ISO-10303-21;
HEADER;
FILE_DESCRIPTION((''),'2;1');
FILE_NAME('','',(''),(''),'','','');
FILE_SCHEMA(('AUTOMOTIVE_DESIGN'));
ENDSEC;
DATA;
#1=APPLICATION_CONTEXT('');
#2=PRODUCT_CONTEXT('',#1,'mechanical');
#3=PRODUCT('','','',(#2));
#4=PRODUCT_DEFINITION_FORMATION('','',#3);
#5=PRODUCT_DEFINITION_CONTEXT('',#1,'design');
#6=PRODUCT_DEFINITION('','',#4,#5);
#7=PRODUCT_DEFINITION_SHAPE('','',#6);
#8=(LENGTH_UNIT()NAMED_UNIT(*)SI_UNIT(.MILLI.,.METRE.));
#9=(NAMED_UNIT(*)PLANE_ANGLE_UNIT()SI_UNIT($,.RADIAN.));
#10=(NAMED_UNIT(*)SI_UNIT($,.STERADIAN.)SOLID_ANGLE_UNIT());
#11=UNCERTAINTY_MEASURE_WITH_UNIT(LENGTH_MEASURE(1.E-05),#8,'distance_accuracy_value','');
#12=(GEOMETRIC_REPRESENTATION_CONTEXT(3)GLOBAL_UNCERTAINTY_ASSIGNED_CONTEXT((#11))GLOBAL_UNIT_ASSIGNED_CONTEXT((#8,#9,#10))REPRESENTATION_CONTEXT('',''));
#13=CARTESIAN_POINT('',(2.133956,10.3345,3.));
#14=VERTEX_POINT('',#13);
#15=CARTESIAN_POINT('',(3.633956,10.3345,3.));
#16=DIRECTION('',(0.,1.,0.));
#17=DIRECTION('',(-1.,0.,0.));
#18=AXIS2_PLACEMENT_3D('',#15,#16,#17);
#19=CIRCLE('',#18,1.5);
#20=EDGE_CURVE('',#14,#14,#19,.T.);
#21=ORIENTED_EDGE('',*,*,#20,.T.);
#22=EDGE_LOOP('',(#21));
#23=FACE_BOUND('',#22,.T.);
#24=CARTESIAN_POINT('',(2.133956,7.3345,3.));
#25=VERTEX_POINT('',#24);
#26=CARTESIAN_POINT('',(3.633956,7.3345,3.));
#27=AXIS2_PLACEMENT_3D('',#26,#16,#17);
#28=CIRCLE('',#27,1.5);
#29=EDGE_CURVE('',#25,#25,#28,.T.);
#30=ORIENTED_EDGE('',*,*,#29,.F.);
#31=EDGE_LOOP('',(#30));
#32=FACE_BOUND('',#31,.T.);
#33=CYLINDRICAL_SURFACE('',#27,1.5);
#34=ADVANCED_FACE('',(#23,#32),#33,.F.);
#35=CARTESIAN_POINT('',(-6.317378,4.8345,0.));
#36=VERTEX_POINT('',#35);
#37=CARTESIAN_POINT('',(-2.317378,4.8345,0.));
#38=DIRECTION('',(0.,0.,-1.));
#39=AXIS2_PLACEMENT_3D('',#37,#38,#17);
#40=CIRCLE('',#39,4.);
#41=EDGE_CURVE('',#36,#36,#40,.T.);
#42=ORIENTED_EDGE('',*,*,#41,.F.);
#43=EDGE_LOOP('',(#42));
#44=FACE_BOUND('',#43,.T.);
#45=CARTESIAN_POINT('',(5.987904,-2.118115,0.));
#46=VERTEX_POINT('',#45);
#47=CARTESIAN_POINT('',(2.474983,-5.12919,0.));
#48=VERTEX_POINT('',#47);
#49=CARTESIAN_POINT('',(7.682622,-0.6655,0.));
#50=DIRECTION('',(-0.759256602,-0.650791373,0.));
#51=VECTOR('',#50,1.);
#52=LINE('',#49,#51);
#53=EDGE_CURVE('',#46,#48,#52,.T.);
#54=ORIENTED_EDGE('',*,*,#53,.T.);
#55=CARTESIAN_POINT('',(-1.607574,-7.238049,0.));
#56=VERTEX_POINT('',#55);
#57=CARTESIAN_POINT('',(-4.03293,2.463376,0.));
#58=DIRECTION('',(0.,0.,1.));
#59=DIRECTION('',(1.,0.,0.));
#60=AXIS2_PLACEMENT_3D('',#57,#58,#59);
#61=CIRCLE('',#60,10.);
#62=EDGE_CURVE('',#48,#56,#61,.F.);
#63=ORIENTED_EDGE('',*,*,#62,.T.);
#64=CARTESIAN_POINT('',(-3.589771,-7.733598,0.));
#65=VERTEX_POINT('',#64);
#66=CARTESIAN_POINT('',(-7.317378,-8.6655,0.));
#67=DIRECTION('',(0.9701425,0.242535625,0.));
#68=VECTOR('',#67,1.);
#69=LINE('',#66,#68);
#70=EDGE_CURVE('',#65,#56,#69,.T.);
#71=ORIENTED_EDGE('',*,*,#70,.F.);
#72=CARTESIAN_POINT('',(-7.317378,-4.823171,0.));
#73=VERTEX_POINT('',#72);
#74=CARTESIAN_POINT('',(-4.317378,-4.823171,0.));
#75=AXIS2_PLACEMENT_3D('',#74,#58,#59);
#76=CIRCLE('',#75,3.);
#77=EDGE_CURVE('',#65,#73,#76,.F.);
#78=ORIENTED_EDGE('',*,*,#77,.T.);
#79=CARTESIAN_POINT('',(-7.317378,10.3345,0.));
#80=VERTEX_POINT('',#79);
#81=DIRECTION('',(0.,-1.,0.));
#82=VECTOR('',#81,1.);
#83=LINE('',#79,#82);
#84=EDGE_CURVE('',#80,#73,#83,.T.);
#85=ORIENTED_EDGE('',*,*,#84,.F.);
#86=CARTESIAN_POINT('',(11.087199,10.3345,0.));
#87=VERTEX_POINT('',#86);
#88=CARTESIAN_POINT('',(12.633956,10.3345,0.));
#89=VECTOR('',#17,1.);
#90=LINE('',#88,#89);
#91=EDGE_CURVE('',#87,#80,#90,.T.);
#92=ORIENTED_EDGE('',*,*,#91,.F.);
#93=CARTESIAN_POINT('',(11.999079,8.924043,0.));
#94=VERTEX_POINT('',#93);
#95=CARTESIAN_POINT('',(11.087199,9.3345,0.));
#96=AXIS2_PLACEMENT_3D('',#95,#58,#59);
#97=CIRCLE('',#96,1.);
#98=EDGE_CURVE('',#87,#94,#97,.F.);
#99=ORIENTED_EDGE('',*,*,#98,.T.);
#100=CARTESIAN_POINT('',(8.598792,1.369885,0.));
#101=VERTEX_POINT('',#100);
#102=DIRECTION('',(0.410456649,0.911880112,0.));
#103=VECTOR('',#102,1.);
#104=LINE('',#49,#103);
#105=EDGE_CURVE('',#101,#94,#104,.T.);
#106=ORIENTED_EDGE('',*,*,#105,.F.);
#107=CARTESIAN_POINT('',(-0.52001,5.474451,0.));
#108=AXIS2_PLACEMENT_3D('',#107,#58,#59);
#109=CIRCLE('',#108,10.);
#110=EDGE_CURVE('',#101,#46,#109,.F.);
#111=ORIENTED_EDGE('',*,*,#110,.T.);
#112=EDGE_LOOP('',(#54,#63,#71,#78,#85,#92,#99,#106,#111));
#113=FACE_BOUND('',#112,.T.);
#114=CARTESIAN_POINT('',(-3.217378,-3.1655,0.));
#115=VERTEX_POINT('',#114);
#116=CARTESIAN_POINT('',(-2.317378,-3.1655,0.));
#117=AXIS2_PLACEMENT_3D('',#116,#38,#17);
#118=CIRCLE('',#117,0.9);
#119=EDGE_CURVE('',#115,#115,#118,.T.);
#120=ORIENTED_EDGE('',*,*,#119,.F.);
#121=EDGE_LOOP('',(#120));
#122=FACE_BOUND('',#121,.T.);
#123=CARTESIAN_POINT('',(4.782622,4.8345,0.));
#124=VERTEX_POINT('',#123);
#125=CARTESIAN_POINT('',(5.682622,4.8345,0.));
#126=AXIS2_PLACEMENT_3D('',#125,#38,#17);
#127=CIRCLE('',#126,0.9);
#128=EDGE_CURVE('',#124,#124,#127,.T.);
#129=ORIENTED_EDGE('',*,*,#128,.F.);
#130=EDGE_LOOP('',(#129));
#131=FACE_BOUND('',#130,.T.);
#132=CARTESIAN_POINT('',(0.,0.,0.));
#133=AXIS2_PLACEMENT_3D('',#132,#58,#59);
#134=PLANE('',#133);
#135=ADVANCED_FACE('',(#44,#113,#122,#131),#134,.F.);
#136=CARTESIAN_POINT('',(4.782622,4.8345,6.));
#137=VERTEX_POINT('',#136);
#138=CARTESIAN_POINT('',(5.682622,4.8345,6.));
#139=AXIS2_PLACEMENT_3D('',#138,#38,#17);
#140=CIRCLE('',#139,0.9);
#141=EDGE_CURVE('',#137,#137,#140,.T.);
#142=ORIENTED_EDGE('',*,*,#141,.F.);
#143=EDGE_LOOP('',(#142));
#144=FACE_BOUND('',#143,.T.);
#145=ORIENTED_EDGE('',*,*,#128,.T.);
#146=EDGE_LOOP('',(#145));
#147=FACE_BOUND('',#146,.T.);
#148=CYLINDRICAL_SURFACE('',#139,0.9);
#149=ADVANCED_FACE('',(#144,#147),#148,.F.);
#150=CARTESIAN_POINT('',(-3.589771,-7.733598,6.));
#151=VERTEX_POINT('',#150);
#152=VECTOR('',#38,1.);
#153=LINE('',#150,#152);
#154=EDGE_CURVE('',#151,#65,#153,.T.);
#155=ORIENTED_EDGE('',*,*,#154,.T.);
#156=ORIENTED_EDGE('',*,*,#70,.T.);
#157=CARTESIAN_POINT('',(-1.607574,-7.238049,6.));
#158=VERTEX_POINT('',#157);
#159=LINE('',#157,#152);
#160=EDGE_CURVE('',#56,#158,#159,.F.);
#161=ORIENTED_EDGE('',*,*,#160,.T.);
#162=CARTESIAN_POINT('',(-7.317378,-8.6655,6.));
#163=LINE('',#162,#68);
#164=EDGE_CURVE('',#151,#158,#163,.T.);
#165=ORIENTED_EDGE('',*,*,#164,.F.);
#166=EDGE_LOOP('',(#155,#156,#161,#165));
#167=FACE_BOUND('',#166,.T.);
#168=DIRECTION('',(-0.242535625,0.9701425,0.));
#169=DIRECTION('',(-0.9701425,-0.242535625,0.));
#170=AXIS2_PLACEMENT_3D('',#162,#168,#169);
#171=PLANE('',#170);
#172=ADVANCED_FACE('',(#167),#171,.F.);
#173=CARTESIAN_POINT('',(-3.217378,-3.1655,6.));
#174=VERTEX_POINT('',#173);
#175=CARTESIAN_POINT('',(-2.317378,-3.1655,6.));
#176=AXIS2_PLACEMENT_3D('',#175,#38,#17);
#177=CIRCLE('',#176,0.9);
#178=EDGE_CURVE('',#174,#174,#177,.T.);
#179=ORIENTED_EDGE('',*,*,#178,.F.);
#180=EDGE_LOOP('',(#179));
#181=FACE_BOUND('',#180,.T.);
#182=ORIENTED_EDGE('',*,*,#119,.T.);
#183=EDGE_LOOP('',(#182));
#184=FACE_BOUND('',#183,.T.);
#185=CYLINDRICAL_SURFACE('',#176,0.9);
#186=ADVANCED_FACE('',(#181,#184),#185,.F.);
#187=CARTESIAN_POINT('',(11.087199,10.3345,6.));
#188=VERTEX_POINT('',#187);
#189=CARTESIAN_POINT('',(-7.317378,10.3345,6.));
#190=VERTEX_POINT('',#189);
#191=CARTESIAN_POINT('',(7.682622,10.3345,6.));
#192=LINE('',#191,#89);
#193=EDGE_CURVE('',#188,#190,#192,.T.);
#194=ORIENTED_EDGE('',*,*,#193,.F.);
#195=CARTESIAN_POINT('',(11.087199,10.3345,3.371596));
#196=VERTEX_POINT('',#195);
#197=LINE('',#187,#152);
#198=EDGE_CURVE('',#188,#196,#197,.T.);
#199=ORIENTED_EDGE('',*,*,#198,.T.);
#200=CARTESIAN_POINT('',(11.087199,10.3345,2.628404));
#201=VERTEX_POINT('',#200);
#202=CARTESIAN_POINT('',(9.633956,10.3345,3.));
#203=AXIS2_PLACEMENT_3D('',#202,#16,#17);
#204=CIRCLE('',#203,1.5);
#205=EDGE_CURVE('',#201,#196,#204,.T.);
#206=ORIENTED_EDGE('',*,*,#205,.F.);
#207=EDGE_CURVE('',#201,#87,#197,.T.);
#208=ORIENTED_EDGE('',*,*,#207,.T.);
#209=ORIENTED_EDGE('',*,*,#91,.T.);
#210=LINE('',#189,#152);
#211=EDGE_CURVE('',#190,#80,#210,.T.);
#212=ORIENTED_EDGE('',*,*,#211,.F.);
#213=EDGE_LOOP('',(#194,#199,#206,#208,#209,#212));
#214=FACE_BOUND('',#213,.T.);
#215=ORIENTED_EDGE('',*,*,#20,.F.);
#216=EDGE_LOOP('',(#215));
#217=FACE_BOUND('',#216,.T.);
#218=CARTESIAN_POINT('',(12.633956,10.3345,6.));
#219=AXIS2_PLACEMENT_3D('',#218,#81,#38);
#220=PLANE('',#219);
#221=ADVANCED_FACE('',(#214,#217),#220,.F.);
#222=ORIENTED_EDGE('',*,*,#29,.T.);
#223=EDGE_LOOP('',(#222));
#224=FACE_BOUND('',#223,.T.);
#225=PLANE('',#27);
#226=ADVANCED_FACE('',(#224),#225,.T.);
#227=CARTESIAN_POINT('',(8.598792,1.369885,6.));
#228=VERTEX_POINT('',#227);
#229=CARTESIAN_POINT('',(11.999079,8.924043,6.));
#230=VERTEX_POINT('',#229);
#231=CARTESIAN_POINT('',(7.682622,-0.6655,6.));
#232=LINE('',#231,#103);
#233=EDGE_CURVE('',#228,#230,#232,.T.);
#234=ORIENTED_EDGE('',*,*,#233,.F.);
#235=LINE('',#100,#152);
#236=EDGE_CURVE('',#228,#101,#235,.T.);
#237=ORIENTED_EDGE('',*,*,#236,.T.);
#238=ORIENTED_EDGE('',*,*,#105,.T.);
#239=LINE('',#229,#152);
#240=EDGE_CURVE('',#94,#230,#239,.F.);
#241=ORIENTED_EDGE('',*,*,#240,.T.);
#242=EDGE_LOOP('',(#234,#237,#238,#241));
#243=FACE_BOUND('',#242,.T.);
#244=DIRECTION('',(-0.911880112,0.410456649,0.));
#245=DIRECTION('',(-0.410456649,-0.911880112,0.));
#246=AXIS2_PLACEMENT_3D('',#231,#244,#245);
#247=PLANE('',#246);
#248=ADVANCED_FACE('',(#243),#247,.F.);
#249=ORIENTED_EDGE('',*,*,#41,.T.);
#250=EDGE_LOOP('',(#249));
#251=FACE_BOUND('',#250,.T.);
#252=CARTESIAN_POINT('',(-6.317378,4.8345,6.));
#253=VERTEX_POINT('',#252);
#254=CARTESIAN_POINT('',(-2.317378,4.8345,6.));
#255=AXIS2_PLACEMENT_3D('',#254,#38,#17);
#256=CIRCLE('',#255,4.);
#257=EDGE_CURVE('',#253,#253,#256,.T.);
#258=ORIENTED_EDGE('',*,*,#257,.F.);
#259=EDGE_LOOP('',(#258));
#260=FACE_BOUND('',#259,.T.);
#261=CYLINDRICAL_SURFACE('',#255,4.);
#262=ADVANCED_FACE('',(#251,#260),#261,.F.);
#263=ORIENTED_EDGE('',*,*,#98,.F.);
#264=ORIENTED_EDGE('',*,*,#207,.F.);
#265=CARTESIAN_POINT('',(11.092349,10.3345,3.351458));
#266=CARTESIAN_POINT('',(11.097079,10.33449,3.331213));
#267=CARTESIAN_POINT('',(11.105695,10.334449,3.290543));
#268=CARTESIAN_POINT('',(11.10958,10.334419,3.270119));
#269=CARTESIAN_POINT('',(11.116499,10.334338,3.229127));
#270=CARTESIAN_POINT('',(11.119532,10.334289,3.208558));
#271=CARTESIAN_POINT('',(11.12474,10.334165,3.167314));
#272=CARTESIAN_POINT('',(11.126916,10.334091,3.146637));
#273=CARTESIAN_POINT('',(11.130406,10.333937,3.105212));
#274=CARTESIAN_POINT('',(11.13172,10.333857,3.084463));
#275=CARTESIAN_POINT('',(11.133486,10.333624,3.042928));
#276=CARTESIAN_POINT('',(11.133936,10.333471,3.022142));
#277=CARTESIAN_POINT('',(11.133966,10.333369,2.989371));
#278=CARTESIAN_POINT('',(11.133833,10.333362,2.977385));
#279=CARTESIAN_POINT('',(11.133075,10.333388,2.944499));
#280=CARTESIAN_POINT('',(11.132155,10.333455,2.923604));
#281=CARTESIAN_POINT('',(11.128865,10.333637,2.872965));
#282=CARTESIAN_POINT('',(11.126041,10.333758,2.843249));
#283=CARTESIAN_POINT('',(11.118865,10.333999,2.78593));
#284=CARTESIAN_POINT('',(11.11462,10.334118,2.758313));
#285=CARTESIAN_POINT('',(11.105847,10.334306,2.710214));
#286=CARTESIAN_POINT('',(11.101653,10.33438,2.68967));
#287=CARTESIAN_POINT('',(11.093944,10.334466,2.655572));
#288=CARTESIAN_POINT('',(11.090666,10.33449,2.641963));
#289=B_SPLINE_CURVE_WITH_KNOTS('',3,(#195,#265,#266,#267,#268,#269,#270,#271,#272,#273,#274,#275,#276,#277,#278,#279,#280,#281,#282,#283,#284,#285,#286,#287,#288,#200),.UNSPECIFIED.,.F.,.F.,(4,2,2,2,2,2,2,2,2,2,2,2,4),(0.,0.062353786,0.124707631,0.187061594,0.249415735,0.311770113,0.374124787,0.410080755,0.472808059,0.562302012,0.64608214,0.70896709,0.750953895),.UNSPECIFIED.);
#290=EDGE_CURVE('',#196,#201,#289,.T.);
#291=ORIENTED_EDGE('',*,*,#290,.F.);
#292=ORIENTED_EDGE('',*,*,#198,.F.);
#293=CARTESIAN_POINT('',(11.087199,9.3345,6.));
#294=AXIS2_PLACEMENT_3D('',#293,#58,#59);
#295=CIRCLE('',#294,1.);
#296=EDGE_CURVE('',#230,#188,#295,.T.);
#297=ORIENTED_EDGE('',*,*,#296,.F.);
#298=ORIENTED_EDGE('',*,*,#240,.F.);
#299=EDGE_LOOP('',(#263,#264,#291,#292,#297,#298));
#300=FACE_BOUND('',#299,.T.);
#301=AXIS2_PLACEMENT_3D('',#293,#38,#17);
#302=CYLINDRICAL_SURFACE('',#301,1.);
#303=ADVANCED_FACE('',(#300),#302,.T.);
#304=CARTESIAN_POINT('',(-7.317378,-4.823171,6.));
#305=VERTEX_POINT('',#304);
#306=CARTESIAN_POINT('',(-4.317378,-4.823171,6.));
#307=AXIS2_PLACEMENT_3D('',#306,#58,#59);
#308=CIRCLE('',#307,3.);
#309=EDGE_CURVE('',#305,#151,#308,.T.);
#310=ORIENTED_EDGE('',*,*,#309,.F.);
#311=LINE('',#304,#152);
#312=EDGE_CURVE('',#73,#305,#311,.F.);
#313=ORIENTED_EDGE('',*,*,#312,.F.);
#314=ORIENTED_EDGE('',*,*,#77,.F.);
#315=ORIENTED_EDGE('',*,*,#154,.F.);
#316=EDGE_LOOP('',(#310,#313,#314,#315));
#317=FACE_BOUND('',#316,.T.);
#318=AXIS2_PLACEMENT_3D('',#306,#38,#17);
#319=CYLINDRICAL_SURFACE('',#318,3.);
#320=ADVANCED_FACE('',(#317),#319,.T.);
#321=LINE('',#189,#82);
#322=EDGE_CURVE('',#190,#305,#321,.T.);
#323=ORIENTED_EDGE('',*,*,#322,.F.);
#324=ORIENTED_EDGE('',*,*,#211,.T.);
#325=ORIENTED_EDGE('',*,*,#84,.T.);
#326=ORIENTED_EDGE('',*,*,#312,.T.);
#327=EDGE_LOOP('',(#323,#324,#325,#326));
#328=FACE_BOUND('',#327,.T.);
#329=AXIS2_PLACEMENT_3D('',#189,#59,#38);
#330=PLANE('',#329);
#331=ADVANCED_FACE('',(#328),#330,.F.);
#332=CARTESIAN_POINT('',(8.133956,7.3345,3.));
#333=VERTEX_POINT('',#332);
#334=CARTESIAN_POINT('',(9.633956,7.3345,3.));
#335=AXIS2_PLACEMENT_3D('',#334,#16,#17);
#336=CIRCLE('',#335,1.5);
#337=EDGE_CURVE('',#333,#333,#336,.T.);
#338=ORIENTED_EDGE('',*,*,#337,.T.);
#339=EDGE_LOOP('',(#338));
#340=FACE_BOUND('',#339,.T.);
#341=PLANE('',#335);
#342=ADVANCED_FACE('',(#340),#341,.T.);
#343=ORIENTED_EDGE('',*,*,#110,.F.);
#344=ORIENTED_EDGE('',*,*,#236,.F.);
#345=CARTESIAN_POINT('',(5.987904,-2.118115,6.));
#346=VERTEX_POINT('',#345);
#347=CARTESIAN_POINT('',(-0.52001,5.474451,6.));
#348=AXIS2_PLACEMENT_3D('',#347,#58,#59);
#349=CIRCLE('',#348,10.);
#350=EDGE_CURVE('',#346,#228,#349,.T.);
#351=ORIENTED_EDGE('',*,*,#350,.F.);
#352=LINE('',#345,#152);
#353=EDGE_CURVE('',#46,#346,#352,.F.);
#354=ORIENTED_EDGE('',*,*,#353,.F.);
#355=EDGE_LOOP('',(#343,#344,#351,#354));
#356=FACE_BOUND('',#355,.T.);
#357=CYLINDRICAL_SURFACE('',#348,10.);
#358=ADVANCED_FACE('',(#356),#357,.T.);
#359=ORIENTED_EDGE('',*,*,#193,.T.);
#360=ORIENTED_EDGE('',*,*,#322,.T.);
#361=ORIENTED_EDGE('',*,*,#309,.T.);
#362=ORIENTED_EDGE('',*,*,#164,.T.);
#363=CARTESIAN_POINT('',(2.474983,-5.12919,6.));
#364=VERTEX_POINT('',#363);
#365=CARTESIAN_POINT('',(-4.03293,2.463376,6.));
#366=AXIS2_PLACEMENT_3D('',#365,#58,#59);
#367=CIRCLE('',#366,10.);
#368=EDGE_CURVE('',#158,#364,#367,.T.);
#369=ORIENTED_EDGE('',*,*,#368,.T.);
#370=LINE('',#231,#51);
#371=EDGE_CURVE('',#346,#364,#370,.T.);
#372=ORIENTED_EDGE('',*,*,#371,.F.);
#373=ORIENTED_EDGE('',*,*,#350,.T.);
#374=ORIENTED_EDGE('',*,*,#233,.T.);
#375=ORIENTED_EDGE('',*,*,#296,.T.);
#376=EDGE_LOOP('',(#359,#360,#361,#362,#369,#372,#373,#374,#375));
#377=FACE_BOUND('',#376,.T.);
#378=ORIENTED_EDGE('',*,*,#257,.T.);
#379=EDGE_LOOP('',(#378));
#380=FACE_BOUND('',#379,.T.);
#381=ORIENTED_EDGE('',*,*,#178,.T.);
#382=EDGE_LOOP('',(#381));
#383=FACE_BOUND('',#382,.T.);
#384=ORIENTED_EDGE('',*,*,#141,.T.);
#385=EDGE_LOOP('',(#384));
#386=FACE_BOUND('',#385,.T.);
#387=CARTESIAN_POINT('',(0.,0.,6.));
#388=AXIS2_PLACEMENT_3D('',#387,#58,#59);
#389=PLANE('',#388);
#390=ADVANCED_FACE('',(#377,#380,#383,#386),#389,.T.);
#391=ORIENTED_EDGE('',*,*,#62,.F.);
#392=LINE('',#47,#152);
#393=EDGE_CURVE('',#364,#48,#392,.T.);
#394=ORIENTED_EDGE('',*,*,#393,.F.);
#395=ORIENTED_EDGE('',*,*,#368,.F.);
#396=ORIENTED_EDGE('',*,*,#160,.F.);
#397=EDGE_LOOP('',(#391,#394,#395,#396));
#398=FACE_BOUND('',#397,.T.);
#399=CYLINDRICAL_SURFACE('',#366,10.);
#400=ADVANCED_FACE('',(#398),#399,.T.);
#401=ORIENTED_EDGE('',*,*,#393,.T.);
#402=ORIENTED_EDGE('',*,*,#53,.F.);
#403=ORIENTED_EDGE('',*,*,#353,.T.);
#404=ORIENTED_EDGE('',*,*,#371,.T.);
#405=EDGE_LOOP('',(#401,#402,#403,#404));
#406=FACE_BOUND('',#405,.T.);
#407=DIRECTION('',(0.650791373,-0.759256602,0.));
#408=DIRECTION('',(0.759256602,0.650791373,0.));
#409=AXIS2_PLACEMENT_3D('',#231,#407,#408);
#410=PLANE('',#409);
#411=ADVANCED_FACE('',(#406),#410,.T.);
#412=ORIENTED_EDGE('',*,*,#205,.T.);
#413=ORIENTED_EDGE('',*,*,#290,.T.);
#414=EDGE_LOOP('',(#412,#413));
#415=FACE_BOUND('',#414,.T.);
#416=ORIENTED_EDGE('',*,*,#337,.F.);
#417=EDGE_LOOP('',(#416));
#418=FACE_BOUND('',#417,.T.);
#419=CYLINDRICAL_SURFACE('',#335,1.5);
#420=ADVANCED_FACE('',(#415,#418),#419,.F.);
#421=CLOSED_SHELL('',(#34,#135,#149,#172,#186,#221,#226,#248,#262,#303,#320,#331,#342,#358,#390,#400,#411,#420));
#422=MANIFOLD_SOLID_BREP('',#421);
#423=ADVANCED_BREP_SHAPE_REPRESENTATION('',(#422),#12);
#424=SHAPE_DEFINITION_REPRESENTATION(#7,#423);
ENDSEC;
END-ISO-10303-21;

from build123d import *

# Parameters (mm, degrees)
BOSS_EXTRU_1_DEPTH      = 6
ESQUISSE5_R             = 4
ESQUISSE5_R_2           = 0.9
ENL_V_MAT_EXTRU_1_DEPTH = 18.390190711
CONG_3_R                = 10
CONG_4_R                = 3
CONG_5_R                = 1
ESQUISSE10_R            = 1.5
ENL_V_MAT_EXTRU_7_DEPTH = 3


with BuildPart() as part:
    # Esquisse2 → Boss.-Extru.1 (new body)
    with BuildSketch(Plane.XY):
        Polygon((-7.317378298, -8.665499885), (0.682621702, -6.665499885), (7.682621702, -0.665499885), (12.633955847, 10.334500115), (7.682621702, 10.334500115), (-7.317378298, 10.334500115), align=None)
    extrude(amount=BOSS_EXTRU_1_DEPTH)

    # Esquisse5 → Enlèv. mat.-Extru.1 (cut, through all)
    with BuildSketch(Plane(origin=(0, 0, 0), x_dir=(-1, 0, 0), z_dir=(0, 0, -1))):
        with Locations((2.317378298, 4.834500115)):
            Circle(ESQUISSE5_R)
        with Locations((-5.682621702, 4.834500115)):
            Circle(ESQUISSE5_R_2)
        with Locations((2.317378298, -3.165499885)):
            Circle(ESQUISSE5_R_2)
    extrude(amount=-ENL_V_MAT_EXTRU_1_DEPTH, mode=Mode.SUBTRACT)

    # Congé3
    cong_3_edges = [part.edges().sort_by_distance(p)[0] for p in [
        (7.682621702, -0.665499885, 3),
        (0.682621702, -6.665499885, 3),
    ]]
    fillet(cong_3_edges, radius=CONG_3_R)

    # Congé4
    cong_4_edges = [part.edges().sort_by_distance(p)[0] for p in [
        (-7.317378298, -8.665499885, 3),
    ]]
    fillet(cong_4_edges, radius=CONG_4_R)

    # Congé5
    cong_5_edges = [part.edges().sort_by_distance(p)[0] for p in [
        (12.633955847, 10.334500115, 3),
    ]]
    fillet(cong_5_edges, radius=CONG_5_R)

    # Esquisse10 → Enlèv. mat.-Extru.7 (cut)
    with BuildSketch(Plane(origin=(0, 10.334500115, 0), x_dir=(1, 0, 0), z_dir=(0, 1, 0))):
        with Locations(Location((3.633955847, -3, 0), (0, 0, 180))):
            Circle(ESQUISSE10_R)
        with Locations(Location((9.633955847, -3, 0), (0, 0, 180))):
            Circle(ESQUISSE10_R)
    extrude(amount=-ENL_V_MAT_EXTRU_7_DEPTH, mode=Mode.SUBTRACT)


solid = part.part
